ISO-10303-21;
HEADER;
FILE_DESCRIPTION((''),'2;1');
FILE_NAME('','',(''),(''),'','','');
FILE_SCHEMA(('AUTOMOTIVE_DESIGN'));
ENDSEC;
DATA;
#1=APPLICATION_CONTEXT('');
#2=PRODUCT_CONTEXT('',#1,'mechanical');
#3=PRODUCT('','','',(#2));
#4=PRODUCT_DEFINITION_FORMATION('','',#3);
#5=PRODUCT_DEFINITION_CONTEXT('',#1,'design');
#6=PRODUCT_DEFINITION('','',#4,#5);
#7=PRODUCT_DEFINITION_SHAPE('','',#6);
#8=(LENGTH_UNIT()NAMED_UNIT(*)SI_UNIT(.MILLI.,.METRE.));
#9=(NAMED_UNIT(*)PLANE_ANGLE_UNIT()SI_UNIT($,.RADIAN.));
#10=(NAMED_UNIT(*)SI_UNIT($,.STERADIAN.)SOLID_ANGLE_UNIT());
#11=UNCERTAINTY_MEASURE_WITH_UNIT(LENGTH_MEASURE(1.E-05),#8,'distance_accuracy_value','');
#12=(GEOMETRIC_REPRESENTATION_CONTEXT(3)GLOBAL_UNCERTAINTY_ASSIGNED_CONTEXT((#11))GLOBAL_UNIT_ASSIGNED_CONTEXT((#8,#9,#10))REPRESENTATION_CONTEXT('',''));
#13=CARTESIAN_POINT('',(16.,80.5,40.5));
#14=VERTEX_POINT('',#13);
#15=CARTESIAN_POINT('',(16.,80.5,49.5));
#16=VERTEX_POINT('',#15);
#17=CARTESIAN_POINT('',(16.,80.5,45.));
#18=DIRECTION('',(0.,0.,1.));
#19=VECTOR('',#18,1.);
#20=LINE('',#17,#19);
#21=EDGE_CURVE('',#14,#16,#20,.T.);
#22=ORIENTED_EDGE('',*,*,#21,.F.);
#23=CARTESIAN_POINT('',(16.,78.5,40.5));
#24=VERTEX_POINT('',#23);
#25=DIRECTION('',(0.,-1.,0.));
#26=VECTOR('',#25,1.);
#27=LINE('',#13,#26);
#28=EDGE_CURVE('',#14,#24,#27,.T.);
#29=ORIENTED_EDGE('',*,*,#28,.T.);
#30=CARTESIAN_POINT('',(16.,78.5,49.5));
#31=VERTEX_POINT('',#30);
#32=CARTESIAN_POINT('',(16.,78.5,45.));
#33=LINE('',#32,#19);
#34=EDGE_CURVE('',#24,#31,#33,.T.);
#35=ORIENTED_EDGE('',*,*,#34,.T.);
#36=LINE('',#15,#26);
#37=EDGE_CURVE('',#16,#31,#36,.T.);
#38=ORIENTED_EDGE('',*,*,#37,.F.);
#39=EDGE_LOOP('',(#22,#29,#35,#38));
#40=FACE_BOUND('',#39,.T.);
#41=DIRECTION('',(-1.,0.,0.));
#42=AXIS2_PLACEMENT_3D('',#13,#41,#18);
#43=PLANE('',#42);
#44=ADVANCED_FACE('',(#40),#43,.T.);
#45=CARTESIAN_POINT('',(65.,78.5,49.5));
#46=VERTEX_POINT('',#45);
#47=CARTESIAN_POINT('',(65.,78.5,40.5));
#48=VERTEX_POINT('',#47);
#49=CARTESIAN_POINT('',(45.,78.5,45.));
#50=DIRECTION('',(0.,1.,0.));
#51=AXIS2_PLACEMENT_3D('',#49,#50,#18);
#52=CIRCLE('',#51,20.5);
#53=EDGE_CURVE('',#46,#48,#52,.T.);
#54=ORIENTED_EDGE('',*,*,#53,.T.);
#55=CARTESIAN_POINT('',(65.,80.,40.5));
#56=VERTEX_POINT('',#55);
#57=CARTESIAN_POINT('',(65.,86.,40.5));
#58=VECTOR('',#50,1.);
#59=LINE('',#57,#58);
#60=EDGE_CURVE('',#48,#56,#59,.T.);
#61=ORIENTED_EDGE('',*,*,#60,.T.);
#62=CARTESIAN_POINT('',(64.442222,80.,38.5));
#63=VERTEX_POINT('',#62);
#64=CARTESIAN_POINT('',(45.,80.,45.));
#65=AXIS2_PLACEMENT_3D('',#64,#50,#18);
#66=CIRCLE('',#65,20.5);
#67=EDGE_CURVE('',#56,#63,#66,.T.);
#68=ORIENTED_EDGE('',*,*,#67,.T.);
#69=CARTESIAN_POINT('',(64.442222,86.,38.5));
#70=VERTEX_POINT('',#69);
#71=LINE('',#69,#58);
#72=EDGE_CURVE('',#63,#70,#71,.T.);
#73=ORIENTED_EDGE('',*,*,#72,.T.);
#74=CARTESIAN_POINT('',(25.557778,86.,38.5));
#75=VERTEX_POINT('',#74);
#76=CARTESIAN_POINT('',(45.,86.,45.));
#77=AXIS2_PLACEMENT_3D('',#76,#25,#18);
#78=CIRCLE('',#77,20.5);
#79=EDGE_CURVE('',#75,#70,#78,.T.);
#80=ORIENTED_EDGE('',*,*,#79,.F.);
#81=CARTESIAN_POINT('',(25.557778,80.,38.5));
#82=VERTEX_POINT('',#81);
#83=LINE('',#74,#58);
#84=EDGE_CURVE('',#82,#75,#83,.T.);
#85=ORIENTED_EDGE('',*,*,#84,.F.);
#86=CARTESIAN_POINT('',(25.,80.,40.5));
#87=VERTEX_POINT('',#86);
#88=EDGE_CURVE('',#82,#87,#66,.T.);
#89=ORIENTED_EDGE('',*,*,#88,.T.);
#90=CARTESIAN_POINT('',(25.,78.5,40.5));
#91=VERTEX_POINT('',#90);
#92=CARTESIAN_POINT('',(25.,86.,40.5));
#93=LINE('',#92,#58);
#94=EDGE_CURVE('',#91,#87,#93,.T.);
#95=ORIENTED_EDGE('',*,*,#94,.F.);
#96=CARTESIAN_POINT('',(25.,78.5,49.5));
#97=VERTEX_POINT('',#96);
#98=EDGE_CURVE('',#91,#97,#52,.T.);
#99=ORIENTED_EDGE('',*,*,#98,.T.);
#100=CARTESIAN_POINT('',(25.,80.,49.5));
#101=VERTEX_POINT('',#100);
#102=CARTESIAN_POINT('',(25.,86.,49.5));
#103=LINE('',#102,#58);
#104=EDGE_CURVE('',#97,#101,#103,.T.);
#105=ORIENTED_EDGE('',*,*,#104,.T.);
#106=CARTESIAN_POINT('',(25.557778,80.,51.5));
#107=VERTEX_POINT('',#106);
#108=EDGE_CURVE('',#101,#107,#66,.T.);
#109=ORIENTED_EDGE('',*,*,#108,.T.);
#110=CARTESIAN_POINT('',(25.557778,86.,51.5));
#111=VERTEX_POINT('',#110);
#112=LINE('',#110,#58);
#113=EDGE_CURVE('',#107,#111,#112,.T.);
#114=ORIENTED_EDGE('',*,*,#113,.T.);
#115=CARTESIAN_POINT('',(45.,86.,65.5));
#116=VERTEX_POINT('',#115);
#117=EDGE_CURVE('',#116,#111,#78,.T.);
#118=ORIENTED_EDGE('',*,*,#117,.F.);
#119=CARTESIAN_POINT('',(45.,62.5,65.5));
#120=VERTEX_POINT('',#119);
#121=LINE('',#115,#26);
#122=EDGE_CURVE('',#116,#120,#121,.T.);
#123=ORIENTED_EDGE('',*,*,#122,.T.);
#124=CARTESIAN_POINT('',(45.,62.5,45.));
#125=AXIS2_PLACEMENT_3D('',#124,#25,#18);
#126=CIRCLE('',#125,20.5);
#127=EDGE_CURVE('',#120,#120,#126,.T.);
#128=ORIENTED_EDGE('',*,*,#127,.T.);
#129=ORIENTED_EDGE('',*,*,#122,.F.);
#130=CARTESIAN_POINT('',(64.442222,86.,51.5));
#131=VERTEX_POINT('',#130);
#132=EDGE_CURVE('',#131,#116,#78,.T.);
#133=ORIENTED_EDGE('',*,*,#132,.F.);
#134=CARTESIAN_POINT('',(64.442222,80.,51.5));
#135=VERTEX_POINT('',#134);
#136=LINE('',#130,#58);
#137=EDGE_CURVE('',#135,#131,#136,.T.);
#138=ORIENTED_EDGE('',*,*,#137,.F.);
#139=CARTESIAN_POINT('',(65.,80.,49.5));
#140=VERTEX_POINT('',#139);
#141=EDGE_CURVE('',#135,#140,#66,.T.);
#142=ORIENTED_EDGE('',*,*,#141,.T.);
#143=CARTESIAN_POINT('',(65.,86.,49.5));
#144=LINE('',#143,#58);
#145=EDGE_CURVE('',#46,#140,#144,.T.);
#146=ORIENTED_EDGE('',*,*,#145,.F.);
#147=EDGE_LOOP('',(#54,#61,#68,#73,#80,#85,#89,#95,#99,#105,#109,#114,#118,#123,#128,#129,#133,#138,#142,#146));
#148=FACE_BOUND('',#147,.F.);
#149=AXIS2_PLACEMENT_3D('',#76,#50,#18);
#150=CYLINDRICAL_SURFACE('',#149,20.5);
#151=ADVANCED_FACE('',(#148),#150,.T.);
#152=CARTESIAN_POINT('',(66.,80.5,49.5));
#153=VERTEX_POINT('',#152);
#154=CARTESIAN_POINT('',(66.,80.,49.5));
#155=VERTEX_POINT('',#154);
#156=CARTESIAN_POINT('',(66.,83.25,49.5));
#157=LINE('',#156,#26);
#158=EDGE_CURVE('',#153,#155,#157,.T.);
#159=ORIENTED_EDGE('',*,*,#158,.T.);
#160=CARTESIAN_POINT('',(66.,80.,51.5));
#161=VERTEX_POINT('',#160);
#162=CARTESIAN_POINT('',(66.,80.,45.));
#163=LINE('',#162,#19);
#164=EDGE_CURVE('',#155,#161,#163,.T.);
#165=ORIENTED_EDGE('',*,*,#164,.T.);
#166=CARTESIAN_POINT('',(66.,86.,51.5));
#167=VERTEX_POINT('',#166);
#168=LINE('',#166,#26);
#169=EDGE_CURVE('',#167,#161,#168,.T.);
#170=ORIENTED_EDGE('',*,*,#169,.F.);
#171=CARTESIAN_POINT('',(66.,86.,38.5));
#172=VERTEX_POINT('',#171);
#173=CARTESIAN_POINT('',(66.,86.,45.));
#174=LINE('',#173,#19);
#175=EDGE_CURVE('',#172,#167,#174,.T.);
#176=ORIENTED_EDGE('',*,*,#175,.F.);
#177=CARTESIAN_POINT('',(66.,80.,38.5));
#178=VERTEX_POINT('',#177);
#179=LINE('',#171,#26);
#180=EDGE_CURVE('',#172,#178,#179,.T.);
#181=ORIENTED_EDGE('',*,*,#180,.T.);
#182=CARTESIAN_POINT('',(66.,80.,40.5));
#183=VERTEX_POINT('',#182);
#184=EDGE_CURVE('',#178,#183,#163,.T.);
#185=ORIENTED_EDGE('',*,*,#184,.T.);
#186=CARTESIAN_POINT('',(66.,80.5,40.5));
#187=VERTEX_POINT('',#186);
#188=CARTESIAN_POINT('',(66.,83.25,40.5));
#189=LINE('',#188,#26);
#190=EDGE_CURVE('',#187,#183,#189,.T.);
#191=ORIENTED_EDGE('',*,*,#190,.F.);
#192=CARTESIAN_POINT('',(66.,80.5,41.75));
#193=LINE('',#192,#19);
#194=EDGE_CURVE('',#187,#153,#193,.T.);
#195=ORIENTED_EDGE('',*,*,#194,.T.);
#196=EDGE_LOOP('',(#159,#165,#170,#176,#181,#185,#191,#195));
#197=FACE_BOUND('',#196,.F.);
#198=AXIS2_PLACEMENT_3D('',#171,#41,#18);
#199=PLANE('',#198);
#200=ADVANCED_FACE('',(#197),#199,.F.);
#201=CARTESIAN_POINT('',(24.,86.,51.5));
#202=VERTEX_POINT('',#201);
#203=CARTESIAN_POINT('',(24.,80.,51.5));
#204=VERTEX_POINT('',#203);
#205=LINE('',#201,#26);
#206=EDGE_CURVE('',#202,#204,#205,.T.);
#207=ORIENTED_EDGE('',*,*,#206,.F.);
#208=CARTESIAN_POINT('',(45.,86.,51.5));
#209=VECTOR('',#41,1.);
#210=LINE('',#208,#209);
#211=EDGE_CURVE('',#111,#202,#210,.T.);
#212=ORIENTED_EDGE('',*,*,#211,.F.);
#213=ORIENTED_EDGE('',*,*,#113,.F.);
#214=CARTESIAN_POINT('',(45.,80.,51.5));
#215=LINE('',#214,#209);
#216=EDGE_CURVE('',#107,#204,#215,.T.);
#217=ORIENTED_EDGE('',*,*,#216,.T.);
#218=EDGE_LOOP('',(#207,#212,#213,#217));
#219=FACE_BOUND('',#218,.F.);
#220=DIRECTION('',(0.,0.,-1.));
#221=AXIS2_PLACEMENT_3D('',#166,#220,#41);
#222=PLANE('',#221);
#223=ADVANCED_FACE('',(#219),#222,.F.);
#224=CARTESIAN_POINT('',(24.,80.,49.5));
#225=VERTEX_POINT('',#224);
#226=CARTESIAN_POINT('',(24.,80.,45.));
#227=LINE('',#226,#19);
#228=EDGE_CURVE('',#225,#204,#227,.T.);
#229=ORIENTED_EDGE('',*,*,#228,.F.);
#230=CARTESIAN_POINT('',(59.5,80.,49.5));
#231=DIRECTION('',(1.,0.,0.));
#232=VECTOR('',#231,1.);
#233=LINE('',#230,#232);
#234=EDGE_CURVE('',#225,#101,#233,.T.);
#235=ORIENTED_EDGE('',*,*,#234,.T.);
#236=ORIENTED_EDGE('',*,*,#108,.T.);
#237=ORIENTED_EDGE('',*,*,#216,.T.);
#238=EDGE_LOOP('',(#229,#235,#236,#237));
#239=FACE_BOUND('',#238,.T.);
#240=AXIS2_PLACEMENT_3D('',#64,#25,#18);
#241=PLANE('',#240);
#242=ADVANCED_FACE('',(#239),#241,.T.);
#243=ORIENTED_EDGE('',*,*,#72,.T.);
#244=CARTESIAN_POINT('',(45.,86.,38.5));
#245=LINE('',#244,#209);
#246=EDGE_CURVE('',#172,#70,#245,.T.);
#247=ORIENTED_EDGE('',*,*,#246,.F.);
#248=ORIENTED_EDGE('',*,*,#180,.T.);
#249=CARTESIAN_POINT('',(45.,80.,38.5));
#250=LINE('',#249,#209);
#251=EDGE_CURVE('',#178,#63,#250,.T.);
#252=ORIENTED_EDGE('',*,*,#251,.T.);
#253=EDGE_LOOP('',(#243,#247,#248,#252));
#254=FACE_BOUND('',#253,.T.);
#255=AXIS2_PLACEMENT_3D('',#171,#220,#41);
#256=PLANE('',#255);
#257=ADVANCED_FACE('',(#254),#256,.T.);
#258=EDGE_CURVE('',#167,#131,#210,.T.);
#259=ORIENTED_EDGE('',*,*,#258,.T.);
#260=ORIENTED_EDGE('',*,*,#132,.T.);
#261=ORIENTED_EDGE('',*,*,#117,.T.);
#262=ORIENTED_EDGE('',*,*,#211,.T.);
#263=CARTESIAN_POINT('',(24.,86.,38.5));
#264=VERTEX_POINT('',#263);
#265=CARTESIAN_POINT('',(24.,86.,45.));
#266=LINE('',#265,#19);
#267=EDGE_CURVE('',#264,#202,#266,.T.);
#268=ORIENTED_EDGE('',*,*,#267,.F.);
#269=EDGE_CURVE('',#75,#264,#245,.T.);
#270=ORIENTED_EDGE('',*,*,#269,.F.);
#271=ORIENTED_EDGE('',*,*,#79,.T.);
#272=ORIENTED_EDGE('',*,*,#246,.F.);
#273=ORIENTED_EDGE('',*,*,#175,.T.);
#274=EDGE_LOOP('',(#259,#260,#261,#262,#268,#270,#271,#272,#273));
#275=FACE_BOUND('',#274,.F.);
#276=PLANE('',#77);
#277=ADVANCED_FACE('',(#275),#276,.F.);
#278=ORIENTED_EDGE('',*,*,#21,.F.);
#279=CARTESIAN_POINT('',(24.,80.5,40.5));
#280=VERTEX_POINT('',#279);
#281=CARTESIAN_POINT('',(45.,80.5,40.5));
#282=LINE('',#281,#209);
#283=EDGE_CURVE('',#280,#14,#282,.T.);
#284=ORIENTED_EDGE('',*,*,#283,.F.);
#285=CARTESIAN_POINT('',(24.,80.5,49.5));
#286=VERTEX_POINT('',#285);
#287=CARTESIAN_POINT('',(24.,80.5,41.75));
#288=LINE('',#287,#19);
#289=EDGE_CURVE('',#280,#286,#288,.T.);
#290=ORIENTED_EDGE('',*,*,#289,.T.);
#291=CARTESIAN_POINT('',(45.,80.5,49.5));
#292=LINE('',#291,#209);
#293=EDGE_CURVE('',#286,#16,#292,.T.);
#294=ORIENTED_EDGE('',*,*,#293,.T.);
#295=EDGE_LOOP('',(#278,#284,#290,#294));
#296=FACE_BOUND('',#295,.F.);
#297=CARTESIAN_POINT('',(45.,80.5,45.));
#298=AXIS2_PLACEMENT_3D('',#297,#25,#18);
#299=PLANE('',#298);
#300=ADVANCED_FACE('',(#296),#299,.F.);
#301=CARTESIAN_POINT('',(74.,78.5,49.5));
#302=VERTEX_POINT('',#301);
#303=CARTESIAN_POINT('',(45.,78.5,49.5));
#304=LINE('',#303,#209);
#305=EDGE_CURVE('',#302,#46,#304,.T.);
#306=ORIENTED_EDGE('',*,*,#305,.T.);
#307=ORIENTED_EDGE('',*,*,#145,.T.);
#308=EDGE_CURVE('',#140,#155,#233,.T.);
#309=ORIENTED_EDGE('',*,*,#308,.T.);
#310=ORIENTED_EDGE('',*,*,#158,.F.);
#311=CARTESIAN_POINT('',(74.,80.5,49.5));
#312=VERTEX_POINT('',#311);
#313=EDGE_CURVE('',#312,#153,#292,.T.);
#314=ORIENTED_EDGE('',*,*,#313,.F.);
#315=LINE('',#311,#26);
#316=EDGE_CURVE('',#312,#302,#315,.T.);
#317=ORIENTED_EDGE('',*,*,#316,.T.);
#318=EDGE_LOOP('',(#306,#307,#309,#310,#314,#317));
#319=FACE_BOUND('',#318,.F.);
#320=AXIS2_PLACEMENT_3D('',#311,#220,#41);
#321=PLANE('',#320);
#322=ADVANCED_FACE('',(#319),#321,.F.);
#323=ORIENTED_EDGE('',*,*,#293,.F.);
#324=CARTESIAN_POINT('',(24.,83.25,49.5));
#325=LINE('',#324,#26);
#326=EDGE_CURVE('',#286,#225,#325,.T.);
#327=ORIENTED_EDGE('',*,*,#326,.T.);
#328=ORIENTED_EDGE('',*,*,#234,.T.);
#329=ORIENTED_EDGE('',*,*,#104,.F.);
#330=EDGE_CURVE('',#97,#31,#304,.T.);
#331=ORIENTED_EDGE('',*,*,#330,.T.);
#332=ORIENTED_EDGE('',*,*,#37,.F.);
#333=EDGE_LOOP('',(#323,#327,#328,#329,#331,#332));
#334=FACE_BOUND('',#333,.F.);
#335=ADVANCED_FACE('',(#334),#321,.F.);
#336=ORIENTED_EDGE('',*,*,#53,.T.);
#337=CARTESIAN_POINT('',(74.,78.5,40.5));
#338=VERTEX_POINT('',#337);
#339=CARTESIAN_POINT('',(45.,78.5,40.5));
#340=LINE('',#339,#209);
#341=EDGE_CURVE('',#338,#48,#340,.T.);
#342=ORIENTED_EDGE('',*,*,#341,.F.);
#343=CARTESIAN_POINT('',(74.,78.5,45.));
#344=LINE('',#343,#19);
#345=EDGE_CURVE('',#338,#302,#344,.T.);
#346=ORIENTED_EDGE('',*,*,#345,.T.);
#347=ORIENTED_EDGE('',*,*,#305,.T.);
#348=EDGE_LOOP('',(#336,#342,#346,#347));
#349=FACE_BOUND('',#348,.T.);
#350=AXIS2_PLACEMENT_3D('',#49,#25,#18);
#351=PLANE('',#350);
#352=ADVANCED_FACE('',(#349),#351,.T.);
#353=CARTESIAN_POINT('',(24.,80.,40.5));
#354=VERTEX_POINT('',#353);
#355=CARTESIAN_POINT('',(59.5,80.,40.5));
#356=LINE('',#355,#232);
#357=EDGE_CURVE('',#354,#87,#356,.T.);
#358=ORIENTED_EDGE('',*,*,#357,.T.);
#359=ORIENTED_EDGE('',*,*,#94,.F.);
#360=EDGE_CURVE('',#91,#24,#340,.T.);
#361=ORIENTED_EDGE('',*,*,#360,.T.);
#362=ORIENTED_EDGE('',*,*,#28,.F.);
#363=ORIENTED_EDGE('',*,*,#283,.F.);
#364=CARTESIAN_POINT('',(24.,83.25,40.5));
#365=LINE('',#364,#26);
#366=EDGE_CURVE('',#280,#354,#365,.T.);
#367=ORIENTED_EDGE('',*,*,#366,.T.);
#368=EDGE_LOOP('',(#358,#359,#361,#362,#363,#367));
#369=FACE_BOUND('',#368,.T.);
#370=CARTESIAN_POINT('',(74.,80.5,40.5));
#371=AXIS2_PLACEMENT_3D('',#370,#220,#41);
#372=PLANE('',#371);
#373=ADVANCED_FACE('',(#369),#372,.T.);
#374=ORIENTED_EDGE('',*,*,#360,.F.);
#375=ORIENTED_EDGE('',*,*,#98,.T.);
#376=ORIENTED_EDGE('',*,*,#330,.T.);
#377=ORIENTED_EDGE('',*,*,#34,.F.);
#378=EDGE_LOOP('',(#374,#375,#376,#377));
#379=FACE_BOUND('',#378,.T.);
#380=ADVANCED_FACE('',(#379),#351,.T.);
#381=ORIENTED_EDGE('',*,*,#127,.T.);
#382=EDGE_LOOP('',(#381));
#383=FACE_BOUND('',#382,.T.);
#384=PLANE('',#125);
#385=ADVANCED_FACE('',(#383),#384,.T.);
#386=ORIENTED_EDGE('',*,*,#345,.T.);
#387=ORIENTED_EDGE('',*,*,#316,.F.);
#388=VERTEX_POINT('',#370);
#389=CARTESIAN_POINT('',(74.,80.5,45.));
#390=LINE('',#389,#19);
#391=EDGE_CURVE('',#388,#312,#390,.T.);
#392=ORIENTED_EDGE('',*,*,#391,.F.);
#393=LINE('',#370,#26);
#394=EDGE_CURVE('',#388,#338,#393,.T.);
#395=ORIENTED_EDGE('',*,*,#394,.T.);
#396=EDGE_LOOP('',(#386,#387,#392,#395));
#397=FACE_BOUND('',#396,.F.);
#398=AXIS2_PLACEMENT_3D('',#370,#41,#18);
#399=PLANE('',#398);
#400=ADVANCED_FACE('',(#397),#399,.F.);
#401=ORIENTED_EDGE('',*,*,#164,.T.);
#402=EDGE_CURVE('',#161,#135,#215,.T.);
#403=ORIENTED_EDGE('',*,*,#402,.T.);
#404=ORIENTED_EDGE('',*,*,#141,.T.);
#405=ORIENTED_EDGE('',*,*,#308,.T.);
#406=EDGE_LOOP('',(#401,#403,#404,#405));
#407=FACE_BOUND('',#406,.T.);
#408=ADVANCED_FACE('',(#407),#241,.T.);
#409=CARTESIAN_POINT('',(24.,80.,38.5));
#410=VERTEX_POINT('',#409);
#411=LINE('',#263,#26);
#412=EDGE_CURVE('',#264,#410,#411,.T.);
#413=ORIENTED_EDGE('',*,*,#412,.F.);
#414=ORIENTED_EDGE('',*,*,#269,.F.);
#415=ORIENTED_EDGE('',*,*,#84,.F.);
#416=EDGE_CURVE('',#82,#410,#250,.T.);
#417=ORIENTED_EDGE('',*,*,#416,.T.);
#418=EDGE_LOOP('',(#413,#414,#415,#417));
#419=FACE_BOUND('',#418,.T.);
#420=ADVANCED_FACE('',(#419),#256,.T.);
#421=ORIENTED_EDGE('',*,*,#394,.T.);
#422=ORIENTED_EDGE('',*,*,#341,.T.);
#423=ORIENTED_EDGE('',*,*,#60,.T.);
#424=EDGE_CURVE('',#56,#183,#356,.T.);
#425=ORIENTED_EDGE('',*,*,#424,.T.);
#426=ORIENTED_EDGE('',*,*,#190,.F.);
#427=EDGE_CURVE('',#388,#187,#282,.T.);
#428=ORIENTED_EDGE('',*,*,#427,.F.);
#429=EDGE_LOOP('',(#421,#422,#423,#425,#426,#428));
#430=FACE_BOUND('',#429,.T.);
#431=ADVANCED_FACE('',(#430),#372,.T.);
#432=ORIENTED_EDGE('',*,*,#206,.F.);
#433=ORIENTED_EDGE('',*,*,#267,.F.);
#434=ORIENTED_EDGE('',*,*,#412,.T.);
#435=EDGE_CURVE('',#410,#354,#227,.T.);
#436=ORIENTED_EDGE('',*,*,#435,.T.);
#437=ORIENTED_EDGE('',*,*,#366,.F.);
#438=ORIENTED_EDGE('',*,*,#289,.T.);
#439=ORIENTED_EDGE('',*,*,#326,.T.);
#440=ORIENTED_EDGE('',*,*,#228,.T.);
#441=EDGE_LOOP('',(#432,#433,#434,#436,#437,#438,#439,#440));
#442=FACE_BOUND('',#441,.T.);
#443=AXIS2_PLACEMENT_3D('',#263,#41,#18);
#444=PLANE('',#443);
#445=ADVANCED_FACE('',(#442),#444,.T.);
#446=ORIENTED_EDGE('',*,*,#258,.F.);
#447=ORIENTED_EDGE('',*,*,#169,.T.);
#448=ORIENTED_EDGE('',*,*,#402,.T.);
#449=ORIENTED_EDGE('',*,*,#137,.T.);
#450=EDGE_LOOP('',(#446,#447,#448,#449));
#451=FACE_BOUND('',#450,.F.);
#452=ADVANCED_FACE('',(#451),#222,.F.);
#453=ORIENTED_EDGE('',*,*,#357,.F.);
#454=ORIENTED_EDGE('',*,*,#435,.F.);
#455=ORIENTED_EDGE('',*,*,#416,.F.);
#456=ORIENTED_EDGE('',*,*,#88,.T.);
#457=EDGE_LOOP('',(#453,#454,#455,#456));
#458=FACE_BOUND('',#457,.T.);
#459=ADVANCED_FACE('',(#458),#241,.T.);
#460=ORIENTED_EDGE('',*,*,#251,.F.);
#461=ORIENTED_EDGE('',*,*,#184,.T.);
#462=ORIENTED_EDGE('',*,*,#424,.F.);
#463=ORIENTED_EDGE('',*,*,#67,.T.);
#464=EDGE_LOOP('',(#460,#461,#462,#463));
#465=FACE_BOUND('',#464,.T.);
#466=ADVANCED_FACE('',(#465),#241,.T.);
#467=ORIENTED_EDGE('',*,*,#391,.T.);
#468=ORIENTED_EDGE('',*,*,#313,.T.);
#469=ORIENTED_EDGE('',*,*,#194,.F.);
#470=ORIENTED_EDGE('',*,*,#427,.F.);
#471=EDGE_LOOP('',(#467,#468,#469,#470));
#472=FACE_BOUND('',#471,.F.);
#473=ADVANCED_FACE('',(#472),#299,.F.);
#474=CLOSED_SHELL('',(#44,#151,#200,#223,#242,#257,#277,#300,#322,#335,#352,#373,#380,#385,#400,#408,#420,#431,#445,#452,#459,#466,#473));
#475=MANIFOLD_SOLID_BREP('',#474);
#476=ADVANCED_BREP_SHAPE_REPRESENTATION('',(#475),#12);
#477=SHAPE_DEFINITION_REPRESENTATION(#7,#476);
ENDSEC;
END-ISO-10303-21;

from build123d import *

# Parameters (mm, degrees)
BOX042_W                  = 13
BOX042_H                  = 42
BOX042_DEPTH              = 6
BOX043_W                  = 9
BOX043_H                  = 58
BOX043_DEPTH              = 2
CYLINDER024_R             = 20.5
CYLINDER024_DEPTH         = 23.5
FUSION001_PITCH_ANGLE     = -90
FUSION001_PLACEMENT_ANGLE = 90


with BuildPart() as cube022:
    # Box042 → Box042 (new body)
    with BuildSketch(Plane(origin=(-6.5, -21, 0), x_dir=(1, 0, 0), z_dir=(0, 0, 1))):
        with Locations((6.5, 21)):
            Rectangle(BOX042_W, BOX042_H)
    extrude(amount=BOX042_DEPTH)


with BuildPart() as cube023:
    # Box043 → Box043 (new body)
    with BuildSketch(Plane(origin=(-4.5, -29, 5.5), x_dir=(1, 0, 0), z_dir=(0, 0, 1))):
        with Locations((4.5, 29)):
            Rectangle(BOX043_W, BOX043_H)
    extrude(amount=BOX043_DEPTH)


with BuildPart() as speaker:
    # Cylinder024 → Cylinder024 (new body)
    with BuildSketch(Plane.XY):
        Circle(CYLINDER024_R)
    extrude(amount=CYLINDER024_DEPTH)

    # Fusion001: union Cube022, Cube023
    add(cube022.part)
    add(cube023.part)


with BuildPart() as speaker_1:
    # Fusion001 pitch: moved
    add(speaker.part.rotate(Axis((0, 0, 0), (0, 1, 0)), FUSION001_PITCH_ANGLE))


with BuildPart() as speaker_2:
    # Fusion001 placement: moved
    add(speaker_1.part.moved(Location((45, 86, 45))).rotate(Axis((45, 86, 45), (0, 0, 1)), FUSION001_PLACEMENT_ANGLE))


solid = speaker_2.part
